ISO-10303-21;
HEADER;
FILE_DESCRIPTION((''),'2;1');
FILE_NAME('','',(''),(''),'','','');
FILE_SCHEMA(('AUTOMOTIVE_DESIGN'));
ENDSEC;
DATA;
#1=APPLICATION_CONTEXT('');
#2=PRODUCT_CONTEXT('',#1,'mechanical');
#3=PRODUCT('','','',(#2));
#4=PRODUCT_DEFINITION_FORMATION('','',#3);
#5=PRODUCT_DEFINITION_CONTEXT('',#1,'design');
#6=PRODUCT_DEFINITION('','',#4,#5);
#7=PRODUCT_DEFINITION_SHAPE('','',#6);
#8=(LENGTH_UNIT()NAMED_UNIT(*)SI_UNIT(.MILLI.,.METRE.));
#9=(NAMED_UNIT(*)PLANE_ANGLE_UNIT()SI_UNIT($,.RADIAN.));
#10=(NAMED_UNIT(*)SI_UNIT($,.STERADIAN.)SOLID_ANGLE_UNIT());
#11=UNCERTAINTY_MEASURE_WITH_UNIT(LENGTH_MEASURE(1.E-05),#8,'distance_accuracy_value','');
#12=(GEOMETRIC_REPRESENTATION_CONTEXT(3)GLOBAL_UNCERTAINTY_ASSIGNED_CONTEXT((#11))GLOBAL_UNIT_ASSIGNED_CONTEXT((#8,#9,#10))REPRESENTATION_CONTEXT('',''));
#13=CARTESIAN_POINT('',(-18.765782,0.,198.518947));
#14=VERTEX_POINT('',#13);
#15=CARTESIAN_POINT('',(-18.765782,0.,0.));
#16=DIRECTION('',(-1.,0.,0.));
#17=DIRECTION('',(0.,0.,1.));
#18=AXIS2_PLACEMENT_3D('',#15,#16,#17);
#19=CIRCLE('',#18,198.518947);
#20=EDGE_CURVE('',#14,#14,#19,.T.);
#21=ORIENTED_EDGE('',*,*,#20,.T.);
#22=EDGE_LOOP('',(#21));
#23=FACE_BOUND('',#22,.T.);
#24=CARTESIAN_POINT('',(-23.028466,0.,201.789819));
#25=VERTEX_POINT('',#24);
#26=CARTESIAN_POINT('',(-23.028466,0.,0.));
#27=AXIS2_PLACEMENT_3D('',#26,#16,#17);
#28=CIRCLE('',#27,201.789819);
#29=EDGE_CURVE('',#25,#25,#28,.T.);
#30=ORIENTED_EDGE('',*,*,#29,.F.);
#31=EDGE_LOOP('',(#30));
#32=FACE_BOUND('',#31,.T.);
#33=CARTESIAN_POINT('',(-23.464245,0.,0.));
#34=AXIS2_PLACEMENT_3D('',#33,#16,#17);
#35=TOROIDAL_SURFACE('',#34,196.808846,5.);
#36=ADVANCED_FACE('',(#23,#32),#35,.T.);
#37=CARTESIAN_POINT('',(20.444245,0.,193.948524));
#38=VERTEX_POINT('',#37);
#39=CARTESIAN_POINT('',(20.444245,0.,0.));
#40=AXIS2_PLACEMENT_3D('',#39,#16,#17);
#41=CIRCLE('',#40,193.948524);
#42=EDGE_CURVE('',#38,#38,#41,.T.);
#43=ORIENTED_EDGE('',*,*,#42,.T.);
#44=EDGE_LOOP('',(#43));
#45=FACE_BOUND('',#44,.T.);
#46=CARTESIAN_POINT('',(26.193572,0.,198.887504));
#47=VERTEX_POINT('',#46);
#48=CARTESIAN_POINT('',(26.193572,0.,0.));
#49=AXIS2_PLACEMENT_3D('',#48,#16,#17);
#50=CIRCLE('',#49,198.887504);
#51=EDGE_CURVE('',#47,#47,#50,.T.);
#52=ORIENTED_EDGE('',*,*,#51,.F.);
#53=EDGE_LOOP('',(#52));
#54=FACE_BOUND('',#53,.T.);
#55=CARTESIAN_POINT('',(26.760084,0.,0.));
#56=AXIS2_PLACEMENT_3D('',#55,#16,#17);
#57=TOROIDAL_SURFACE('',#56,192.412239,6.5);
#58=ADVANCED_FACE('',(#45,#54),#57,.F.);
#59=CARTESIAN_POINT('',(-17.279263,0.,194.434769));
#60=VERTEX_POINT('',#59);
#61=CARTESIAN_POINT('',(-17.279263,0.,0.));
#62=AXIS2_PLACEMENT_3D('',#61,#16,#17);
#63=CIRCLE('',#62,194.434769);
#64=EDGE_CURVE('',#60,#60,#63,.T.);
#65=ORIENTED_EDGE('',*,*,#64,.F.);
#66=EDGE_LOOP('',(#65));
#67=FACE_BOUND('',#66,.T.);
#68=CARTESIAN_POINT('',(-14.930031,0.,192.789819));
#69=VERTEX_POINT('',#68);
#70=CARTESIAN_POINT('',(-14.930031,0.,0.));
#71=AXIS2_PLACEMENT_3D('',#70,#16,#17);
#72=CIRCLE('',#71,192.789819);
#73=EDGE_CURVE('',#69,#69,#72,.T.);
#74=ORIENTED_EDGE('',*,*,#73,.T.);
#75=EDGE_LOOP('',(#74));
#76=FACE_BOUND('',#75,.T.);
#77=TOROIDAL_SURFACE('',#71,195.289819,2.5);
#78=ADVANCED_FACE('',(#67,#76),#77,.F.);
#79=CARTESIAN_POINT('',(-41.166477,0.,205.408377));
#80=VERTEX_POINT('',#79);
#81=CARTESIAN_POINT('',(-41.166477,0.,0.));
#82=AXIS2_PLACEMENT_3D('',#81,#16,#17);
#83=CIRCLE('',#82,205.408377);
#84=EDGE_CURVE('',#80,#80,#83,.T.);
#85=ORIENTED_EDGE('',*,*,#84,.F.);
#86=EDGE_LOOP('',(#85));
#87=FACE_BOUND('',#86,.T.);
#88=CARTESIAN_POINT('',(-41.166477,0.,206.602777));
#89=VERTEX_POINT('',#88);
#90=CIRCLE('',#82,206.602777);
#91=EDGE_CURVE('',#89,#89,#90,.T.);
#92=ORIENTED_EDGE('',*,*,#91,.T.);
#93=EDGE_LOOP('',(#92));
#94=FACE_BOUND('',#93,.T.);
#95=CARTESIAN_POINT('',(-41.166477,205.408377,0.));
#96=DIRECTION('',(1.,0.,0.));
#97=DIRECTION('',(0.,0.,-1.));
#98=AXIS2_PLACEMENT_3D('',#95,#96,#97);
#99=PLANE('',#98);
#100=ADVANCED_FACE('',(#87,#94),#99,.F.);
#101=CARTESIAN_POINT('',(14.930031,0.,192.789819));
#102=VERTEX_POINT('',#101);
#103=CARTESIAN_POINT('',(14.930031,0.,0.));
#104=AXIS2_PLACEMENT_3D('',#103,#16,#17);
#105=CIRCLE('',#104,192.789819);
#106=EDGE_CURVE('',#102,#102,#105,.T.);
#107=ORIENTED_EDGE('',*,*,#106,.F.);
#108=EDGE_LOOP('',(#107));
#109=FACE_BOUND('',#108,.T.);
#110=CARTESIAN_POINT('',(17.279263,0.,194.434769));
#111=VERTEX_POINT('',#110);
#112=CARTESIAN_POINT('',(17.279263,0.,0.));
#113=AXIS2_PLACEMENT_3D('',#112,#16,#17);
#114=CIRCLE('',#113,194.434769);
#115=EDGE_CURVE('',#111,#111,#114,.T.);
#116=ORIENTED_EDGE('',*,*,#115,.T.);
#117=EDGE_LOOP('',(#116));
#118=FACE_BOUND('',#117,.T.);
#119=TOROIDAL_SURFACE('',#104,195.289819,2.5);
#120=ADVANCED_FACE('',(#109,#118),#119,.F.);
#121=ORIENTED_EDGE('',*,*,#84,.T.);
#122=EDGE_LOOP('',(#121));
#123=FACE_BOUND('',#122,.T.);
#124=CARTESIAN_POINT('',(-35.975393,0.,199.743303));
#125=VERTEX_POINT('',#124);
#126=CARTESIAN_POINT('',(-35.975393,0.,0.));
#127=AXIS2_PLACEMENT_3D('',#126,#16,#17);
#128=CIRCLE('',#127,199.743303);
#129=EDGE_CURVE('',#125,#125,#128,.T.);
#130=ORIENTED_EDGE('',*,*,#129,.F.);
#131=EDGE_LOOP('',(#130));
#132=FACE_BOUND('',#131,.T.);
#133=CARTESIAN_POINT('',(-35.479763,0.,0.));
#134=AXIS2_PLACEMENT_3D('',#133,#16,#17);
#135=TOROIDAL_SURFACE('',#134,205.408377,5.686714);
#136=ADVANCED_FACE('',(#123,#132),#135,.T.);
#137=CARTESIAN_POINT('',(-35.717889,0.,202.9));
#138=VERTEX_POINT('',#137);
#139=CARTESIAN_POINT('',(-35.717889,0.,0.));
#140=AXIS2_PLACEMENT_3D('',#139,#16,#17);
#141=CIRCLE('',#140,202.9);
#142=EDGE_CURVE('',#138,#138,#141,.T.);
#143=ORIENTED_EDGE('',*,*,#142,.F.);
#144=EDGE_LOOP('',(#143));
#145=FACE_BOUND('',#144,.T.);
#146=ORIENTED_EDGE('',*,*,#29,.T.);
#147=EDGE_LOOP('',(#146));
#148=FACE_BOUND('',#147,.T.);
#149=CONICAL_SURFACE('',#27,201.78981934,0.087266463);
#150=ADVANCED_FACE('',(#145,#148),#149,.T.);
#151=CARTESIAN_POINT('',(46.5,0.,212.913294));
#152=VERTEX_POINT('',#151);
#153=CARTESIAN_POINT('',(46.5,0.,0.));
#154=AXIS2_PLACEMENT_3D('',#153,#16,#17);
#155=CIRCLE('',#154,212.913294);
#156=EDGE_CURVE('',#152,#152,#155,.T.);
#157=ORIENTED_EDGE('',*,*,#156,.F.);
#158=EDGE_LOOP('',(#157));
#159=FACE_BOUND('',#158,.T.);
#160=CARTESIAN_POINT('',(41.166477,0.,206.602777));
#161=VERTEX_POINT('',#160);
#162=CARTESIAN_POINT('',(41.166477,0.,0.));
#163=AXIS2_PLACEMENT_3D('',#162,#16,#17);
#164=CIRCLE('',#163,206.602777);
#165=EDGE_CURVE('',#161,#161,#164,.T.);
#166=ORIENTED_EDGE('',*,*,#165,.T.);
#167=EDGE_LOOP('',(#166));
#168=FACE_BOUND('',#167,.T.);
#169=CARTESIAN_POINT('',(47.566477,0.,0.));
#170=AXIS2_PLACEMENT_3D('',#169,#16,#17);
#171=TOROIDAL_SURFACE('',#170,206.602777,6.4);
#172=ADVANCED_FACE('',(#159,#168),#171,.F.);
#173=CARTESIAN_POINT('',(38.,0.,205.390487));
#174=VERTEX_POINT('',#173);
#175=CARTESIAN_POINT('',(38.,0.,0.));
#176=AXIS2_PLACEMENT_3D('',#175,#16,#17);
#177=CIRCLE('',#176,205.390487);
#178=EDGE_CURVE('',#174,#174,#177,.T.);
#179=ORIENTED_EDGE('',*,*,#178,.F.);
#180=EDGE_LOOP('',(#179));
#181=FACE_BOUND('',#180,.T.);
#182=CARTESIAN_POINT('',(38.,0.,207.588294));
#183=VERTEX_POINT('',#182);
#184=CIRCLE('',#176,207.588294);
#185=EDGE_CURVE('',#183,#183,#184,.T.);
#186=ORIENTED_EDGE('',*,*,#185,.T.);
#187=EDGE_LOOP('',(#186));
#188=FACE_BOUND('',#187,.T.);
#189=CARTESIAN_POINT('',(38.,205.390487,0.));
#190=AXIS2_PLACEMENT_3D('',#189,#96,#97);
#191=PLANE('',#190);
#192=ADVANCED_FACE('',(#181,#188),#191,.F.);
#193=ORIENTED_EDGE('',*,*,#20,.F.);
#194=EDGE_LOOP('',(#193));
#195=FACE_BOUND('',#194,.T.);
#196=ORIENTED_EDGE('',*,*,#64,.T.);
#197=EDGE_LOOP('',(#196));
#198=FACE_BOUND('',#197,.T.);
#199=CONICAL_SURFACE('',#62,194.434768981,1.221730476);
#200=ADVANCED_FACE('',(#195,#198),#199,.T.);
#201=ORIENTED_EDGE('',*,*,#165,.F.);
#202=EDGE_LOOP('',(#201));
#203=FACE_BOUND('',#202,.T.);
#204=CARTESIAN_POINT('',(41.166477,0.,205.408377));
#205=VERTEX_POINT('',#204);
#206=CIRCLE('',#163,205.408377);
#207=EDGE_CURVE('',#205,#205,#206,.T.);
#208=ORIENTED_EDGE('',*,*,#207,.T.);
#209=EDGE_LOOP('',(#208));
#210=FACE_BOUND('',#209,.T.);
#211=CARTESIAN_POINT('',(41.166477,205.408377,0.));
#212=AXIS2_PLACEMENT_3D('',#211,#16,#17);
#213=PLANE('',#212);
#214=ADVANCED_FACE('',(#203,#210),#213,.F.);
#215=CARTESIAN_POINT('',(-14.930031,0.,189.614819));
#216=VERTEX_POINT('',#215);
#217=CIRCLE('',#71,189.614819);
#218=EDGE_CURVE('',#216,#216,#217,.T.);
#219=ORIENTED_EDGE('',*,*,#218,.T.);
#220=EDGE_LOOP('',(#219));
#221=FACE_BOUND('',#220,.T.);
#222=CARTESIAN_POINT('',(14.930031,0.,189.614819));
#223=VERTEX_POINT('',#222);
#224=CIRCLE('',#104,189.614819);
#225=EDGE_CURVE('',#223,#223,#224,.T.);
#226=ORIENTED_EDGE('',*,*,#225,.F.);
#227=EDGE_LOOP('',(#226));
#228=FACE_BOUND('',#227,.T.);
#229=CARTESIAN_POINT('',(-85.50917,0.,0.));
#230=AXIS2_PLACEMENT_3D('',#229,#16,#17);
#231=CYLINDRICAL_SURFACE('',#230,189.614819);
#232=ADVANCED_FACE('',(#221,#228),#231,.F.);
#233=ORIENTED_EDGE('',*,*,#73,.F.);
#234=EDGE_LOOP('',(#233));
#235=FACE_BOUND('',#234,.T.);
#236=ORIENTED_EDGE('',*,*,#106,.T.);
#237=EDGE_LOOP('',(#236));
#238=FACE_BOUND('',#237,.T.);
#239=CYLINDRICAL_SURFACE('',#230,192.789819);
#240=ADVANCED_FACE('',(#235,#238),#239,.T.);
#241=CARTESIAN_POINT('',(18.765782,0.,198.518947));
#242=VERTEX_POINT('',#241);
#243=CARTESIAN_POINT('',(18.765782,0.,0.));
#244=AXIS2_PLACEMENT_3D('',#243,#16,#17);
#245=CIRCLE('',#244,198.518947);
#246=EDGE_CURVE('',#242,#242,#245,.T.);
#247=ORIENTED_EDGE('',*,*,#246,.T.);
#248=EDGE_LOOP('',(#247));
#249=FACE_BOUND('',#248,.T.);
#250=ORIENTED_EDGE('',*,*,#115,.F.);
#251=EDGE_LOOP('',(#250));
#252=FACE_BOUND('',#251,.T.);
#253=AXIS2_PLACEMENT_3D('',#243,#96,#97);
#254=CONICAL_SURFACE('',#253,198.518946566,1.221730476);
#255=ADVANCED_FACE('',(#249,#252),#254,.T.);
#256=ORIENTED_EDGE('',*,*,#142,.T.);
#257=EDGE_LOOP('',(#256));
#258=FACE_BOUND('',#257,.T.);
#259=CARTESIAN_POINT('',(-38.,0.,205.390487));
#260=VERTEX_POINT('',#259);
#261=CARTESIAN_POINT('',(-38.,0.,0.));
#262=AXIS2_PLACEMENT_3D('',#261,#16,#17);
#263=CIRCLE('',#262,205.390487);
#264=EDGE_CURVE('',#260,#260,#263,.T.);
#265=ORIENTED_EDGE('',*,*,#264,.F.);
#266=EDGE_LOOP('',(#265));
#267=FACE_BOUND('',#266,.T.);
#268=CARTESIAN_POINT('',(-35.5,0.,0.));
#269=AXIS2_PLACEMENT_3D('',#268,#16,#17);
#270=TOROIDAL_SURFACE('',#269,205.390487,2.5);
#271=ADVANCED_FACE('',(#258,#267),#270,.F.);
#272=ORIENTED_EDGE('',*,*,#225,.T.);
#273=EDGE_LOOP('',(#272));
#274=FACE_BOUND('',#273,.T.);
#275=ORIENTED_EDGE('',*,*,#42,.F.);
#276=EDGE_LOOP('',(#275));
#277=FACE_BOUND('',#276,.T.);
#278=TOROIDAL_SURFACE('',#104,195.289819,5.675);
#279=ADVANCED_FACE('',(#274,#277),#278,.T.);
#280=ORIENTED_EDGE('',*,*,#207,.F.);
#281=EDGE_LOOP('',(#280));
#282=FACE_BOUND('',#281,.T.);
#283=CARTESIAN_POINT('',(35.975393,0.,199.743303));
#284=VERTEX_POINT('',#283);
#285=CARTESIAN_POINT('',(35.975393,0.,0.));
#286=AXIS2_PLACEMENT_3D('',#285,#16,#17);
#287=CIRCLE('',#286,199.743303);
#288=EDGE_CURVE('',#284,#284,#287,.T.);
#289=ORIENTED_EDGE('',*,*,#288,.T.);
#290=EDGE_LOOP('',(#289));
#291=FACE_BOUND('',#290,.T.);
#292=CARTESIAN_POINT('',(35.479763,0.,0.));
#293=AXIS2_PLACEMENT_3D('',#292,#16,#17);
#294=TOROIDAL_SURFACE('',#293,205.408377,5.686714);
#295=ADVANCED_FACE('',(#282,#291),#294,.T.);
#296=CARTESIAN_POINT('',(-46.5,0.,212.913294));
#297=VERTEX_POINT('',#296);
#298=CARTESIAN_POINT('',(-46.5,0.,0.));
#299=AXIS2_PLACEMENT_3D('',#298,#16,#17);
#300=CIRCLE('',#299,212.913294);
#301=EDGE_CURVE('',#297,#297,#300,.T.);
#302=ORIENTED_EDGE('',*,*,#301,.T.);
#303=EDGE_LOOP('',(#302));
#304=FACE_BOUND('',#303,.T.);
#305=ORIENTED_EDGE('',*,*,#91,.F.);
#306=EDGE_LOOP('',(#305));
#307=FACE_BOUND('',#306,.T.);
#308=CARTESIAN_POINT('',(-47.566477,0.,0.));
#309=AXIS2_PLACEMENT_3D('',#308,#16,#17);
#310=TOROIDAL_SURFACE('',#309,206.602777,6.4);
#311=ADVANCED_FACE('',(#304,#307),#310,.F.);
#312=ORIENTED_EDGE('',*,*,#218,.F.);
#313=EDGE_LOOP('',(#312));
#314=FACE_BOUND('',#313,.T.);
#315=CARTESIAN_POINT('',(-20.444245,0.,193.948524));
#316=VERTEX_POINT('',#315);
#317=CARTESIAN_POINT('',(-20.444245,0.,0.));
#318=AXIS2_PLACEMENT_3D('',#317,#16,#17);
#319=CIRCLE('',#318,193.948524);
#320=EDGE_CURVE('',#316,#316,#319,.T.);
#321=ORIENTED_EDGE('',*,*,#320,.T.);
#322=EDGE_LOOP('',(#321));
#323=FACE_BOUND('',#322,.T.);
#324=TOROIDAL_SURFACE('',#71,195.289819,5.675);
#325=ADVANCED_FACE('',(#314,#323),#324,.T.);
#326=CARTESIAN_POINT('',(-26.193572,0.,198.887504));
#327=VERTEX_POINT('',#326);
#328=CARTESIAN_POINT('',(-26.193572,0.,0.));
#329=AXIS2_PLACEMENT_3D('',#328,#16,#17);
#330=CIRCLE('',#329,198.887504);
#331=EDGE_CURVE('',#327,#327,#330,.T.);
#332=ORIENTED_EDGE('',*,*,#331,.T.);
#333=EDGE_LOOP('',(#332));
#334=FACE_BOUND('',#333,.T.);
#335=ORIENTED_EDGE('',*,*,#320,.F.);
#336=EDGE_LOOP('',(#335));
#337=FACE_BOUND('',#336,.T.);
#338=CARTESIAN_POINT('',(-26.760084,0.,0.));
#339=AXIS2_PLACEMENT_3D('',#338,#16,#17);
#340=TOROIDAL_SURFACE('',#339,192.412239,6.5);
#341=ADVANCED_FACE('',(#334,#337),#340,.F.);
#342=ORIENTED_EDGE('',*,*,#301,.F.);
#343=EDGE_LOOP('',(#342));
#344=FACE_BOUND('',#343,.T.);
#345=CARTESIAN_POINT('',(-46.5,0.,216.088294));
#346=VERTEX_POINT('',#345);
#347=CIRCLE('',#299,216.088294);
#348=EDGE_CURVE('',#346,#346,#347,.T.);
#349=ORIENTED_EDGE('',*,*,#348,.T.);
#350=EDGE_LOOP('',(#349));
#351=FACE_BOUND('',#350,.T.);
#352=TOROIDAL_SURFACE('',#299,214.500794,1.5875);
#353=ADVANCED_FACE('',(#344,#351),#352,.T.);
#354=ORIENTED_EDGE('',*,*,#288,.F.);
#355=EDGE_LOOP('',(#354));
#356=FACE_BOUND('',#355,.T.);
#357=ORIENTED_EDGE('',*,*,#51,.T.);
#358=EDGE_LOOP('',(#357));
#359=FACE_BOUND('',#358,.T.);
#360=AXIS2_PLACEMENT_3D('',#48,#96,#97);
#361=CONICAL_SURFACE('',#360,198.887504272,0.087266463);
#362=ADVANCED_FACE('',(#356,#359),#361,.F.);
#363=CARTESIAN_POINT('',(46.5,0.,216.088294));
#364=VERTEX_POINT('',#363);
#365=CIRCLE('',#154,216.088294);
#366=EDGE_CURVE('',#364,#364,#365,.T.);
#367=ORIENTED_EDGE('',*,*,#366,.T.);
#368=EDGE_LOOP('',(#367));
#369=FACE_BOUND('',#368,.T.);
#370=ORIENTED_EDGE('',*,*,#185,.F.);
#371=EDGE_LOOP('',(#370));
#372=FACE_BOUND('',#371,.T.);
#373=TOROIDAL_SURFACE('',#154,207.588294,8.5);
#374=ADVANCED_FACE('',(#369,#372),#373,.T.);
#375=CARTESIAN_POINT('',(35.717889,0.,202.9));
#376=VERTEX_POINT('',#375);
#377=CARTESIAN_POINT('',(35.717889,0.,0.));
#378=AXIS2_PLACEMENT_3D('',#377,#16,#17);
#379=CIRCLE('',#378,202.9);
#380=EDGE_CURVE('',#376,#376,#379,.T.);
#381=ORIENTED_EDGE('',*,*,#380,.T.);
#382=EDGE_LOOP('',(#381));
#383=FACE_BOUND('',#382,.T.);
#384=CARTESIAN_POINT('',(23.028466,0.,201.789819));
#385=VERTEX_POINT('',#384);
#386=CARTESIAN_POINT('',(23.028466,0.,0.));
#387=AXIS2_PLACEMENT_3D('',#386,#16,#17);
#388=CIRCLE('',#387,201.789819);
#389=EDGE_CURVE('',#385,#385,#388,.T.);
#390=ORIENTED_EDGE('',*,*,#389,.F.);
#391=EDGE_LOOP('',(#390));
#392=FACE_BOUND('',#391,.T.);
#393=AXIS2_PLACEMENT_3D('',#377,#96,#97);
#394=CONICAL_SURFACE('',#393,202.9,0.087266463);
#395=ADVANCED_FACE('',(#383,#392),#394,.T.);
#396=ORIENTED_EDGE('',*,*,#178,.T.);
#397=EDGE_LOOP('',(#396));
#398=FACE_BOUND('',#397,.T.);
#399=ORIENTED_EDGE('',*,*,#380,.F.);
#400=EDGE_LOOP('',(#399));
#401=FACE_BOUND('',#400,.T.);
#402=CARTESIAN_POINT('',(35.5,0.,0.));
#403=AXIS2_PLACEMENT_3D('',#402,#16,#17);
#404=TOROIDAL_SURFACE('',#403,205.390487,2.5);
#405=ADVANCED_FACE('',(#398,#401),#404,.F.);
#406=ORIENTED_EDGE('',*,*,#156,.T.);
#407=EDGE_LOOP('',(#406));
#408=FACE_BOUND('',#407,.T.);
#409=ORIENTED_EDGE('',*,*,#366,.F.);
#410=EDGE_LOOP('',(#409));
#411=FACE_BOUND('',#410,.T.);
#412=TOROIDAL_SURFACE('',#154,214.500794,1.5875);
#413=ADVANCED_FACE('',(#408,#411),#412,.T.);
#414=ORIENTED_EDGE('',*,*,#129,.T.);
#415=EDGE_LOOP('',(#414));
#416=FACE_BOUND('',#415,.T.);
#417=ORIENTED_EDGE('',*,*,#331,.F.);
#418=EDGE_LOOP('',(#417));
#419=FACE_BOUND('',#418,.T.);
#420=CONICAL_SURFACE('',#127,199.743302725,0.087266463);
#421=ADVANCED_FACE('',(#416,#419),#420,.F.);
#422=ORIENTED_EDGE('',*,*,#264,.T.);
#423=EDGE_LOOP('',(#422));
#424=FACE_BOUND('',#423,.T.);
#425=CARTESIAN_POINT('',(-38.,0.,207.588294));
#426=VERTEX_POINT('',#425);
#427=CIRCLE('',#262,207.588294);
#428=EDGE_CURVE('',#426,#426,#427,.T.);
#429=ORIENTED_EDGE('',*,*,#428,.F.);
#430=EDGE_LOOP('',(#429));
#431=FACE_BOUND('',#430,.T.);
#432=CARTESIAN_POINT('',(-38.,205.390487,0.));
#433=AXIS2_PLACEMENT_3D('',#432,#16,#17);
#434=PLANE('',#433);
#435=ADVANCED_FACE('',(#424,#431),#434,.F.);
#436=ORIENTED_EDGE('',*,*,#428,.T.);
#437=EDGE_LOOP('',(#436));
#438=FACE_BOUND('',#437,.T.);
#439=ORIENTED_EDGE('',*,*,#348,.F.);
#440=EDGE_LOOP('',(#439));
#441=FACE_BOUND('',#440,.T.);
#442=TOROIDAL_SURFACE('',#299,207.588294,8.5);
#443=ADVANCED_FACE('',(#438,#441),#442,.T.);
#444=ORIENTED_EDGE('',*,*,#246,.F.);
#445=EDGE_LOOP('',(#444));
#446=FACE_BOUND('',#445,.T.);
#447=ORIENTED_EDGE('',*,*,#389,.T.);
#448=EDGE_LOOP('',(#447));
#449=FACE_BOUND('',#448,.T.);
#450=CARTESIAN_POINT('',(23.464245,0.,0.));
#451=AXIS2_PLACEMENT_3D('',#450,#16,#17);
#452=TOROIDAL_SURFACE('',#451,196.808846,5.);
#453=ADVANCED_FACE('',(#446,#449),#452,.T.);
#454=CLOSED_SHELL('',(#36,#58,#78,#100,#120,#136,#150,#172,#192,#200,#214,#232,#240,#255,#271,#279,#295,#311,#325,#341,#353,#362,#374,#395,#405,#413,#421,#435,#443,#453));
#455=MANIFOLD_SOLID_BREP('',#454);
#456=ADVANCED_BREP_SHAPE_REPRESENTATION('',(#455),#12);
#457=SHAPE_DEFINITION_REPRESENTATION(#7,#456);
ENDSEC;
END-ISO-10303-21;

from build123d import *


with BuildPart() as part:
    # rimProfile → Revolve1 (revolve)
    with BuildSketch(Plane.XY):
        with BuildLine():
            Line((-35.717889357, 202.9), (-23.028466345, 201.78981934))
            ThreePointArc((-23.028466345, 201.78981934), (-20.420437913, 200.775612551), (-18.765781955, 198.518946566))
            Line((-18.765781955, 198.518946566), (-17.279262882, 194.434768981))
            ThreePointArc((-17.279262882, 194.434768981), (-16.363972421, 193.241939229), (-14.93003133, 192.78981934))
            Line((-14.93003133, 192.78981934), (14.93003133, 192.78981934))
            ThreePointArc((14.93003133, 192.78981934), (16.363972421, 193.241939229), (17.279262882, 194.434768981))
            Line((17.279262882, 194.434768981), (18.765781955, 198.518946566))
            ThreePointArc((18.765781955, 198.518946566), (20.420437913, 200.775612551), (23.028466345, 201.78981934))
            Line((23.028466345, 201.78981934), (35.717889357, 202.9))
            ThreePointArc((35.717889357, 202.9), (37.343193342, 203.701511226), (38, 205.390486745))
            Line((38, 205.390486745), (38, 207.588294139))
            ThreePointArc((38, 207.588294139), (40.48959236, 213.598701779), (46.5, 216.088294139))
            ThreePointArc((46.5, 216.088294139), (48.0875, 214.500794139), (46.5, 212.913294139))
            ThreePointArc((46.5, 212.913294139), (42.678458664, 210.734032569), (41.166477478, 206.602777061))
            Line((41.166477478, 206.602777061), (41.166477478, 205.408377222))
            ThreePointArc((41.166477478, 205.408377222), (39.672448789, 201.566488821), (35.975393113, 199.743302725))
            Line((35.975393113, 199.743302725), (26.19357204, 198.887504272))
            ThreePointArc((26.19357204, 198.887504272), (22.524512068, 197.342748576), (20.444244964, 193.948524068))
            ThreePointArc((20.444244964, 193.948524068), (18.4367231, 190.827898472), (14.93003133, 189.61481934))
            Line((14.93003133, 189.61481934), (-14.93003133, 189.61481934))
            ThreePointArc((-14.93003133, 189.61481934), (-18.4367231, 190.827898472), (-20.444244964, 193.948524068))
            ThreePointArc((-20.444244964, 193.948524068), (-22.524512068, 197.342748576), (-26.19357204, 198.887504272))
            Line((-26.19357204, 198.887504272), (-35.975393113, 199.743302725))
            ThreePointArc((-35.975393113, 199.743302725), (-39.672448789, 201.566488821), (-41.166477478, 205.408377222))
            Line((-41.166477478, 205.408377222), (-41.166477478, 206.602777061))
            ThreePointArc((-41.166477478, 206.602777061), (-42.678458664, 210.734032569), (-46.5, 212.913294139))
            ThreePointArc((-46.5, 212.913294139), (-48.0875, 214.500794139), (-46.5, 216.088294139))
            ThreePointArc((-46.5, 216.088294139), (-40.48959236, 213.598701779), (-38, 207.588294139))
            Line((-38, 207.588294139), (-38, 205.390486745))
            ThreePointArc((-38, 205.390486745), (-37.343193342, 203.701511226), (-35.717889357, 202.9))
        make_face()
    revolve(axis=Axis((-85.509169994, 0, 0), (1, 0, 0)))


solid = part.part
